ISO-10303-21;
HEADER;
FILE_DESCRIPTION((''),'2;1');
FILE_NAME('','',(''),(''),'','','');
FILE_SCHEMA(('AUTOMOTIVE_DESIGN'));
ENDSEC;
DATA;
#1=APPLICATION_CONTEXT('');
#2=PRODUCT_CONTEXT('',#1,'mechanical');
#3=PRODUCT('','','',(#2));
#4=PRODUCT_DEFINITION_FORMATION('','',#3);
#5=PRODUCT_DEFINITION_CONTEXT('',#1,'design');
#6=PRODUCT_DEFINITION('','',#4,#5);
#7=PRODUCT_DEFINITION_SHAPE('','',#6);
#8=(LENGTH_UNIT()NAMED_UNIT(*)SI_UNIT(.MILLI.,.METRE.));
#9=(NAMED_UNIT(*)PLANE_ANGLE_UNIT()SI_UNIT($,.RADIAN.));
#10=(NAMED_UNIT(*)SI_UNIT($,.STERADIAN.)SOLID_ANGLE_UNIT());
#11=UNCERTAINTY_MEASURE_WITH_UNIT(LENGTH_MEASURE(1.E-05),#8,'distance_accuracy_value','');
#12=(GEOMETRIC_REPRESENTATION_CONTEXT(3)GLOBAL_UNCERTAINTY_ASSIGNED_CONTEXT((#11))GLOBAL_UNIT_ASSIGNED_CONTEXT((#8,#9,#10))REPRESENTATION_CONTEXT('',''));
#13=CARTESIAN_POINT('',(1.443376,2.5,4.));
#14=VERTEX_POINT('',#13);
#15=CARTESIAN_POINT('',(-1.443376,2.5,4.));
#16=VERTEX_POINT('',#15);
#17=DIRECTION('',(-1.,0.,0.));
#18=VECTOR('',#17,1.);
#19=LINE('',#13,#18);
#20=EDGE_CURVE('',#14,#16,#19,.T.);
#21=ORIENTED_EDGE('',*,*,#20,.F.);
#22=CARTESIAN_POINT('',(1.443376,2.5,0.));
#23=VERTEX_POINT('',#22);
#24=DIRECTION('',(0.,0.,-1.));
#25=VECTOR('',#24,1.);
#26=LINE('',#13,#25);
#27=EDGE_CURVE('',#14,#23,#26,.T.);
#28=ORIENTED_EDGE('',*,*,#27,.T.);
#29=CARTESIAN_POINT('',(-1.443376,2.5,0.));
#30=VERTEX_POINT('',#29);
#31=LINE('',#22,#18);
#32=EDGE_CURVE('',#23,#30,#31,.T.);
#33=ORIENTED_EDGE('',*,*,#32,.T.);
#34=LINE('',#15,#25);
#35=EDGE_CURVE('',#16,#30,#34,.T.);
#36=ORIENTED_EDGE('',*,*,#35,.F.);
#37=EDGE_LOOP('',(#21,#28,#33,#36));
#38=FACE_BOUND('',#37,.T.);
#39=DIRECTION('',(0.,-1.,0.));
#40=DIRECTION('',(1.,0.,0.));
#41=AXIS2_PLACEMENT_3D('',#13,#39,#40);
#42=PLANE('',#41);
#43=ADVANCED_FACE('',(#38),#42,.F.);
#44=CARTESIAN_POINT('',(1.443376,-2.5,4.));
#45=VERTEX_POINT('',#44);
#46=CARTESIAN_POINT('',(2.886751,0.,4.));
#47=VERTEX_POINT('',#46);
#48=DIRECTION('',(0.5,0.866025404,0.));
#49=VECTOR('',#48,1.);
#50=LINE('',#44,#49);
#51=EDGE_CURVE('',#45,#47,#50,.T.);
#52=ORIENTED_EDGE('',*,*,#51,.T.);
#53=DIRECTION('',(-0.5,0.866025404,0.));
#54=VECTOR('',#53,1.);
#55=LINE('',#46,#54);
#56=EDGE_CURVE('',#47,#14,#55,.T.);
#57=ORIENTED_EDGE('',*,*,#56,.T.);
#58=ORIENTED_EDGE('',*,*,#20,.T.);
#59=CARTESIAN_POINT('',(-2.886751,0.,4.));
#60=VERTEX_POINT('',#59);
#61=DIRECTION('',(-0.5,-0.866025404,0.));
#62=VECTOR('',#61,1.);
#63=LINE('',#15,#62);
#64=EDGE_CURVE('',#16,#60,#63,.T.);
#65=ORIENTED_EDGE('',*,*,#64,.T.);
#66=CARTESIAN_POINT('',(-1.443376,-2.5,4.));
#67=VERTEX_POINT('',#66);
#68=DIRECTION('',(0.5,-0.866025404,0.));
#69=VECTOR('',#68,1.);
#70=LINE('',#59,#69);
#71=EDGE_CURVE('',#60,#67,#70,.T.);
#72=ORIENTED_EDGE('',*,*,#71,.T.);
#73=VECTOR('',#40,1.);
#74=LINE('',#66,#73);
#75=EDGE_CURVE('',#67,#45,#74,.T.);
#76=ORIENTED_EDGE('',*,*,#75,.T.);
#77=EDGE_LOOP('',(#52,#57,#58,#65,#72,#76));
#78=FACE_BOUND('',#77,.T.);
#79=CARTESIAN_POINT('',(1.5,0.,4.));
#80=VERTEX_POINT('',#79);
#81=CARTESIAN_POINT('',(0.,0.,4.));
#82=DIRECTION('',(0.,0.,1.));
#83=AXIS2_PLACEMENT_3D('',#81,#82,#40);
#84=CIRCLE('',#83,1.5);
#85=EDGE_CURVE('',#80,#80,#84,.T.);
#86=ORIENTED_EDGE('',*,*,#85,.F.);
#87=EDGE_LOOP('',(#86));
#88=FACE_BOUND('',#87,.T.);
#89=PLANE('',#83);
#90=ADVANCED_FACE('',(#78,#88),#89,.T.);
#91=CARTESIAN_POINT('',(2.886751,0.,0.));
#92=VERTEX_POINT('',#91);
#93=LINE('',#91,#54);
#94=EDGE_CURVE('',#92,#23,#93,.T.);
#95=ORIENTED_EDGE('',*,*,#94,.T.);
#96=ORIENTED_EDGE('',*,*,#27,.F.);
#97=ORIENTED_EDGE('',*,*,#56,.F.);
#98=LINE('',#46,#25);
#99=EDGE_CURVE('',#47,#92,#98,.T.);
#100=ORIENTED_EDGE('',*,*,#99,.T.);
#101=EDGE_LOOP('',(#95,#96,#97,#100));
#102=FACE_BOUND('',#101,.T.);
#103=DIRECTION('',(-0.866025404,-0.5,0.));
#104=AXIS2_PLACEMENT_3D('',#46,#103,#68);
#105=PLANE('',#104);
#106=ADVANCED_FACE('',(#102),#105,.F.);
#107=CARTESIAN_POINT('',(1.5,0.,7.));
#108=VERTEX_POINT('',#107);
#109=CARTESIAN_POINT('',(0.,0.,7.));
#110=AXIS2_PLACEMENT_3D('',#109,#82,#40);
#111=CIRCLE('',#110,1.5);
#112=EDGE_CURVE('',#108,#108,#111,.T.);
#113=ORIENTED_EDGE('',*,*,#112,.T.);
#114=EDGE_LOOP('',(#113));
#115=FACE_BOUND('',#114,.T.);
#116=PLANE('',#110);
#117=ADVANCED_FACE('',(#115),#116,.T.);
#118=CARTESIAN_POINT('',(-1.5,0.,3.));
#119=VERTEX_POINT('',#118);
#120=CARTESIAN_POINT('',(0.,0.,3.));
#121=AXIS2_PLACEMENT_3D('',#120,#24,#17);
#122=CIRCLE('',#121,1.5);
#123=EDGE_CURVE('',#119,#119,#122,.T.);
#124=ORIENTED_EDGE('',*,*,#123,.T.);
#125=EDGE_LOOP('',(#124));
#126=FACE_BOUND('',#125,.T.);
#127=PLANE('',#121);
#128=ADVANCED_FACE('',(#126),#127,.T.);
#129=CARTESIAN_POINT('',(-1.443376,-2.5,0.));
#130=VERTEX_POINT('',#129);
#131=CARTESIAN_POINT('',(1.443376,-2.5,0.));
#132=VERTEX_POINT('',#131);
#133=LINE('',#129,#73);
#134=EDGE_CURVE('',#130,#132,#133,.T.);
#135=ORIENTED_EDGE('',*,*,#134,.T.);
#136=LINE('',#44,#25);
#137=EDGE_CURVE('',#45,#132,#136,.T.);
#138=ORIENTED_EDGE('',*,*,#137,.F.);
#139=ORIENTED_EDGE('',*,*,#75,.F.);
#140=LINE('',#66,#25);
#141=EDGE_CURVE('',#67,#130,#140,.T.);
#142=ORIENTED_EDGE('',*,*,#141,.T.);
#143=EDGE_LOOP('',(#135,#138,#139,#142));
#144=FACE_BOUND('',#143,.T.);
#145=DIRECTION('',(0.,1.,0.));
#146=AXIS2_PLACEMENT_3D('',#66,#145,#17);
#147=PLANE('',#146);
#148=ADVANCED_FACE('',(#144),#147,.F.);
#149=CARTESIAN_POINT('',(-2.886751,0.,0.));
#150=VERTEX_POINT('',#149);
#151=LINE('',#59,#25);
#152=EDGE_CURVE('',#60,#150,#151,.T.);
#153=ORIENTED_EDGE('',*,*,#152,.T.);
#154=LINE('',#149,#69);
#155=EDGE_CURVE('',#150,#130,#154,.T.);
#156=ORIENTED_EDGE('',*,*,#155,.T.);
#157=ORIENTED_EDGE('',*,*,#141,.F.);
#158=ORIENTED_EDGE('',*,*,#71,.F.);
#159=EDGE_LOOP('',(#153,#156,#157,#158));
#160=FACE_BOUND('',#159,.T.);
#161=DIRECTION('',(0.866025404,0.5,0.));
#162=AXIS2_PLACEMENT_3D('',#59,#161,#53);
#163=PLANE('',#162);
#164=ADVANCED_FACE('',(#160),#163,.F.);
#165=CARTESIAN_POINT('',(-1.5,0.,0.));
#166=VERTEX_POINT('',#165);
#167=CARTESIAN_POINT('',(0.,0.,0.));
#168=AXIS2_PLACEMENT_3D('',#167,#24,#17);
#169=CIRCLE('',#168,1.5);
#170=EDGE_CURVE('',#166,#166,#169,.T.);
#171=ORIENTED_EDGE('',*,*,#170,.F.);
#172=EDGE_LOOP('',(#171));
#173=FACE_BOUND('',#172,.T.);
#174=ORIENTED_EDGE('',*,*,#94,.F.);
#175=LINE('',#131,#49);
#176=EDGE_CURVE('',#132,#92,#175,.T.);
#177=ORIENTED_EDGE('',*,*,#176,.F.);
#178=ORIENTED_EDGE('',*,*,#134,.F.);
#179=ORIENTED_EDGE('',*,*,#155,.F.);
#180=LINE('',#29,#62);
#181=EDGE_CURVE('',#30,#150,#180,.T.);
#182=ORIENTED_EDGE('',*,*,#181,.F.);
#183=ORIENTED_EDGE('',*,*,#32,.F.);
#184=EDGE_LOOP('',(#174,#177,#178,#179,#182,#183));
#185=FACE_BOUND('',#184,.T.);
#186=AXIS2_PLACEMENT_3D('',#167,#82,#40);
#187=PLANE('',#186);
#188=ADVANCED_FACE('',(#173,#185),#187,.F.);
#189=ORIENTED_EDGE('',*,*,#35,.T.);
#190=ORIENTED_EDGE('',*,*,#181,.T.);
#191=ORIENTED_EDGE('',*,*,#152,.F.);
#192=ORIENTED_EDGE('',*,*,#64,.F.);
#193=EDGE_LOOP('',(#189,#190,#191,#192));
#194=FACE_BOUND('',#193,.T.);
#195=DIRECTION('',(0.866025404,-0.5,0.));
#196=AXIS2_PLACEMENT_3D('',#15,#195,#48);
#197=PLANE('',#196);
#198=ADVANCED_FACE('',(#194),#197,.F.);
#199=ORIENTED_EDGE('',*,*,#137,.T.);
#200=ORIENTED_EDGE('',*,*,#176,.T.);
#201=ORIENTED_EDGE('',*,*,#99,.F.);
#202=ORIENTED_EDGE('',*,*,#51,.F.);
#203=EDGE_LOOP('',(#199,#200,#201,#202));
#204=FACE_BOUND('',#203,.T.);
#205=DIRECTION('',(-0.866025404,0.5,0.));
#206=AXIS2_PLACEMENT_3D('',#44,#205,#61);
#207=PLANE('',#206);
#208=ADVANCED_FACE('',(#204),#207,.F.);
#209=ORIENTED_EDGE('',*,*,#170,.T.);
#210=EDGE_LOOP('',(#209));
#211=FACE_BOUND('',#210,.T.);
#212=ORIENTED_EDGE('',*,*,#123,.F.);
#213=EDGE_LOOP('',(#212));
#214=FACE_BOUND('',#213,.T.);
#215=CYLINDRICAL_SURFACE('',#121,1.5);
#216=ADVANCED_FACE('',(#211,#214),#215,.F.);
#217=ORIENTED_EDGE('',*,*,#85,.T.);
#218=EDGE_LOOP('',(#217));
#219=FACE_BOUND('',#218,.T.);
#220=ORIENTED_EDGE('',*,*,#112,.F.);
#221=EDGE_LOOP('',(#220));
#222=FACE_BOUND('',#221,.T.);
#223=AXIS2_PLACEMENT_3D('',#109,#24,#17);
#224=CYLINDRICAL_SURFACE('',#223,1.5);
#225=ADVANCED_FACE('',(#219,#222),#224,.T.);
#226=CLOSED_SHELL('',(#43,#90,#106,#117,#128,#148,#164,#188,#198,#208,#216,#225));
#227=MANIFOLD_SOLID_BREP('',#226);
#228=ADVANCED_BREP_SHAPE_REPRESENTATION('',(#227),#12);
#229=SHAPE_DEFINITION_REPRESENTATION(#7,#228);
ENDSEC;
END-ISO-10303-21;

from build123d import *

# Parameters (mm, degrees)
BOSS_EXTRUDE1_DEPTH = 4
SKETCH2_R           = 1.5
CUT_EXTRUDE1_DEPTH  = 3
SKETCH3_R           = 1.5
BOSS_EXTRUDE2_DEPTH = 3


with BuildPart() as part:
    # Sketch1 → Boss-Extrude1 (new body)
    with BuildSketch(Plane.XY):
        Polygon((2.886751346, 0), (1.443375673, 2.5), (-1.443375673, 2.5), (-2.886751346, 0), (-1.443375673, -2.5), (1.443375673, -2.5), align=None)
    extrude(amount=BOSS_EXTRUDE1_DEPTH)

    # Sketch2 → Cut-Extrude1 (cut)
    with BuildSketch(Plane(origin=(0, 0, 0), x_dir=(-1, 0, 0), z_dir=(0, 0, -1))):
        Circle(SKETCH2_R)
    extrude(amount=-CUT_EXTRUDE1_DEPTH, mode=Mode.SUBTRACT)

    # Sketch3 → Boss-Extrude2 (add)
    with BuildSketch(Plane.XY.offset(4)):
        with Locations(Location((0, 0, 0), (0, 0, 180))):
            Circle(SKETCH3_R)
    extrude(amount=BOSS_EXTRUDE2_DEPTH)


solid = part.part
